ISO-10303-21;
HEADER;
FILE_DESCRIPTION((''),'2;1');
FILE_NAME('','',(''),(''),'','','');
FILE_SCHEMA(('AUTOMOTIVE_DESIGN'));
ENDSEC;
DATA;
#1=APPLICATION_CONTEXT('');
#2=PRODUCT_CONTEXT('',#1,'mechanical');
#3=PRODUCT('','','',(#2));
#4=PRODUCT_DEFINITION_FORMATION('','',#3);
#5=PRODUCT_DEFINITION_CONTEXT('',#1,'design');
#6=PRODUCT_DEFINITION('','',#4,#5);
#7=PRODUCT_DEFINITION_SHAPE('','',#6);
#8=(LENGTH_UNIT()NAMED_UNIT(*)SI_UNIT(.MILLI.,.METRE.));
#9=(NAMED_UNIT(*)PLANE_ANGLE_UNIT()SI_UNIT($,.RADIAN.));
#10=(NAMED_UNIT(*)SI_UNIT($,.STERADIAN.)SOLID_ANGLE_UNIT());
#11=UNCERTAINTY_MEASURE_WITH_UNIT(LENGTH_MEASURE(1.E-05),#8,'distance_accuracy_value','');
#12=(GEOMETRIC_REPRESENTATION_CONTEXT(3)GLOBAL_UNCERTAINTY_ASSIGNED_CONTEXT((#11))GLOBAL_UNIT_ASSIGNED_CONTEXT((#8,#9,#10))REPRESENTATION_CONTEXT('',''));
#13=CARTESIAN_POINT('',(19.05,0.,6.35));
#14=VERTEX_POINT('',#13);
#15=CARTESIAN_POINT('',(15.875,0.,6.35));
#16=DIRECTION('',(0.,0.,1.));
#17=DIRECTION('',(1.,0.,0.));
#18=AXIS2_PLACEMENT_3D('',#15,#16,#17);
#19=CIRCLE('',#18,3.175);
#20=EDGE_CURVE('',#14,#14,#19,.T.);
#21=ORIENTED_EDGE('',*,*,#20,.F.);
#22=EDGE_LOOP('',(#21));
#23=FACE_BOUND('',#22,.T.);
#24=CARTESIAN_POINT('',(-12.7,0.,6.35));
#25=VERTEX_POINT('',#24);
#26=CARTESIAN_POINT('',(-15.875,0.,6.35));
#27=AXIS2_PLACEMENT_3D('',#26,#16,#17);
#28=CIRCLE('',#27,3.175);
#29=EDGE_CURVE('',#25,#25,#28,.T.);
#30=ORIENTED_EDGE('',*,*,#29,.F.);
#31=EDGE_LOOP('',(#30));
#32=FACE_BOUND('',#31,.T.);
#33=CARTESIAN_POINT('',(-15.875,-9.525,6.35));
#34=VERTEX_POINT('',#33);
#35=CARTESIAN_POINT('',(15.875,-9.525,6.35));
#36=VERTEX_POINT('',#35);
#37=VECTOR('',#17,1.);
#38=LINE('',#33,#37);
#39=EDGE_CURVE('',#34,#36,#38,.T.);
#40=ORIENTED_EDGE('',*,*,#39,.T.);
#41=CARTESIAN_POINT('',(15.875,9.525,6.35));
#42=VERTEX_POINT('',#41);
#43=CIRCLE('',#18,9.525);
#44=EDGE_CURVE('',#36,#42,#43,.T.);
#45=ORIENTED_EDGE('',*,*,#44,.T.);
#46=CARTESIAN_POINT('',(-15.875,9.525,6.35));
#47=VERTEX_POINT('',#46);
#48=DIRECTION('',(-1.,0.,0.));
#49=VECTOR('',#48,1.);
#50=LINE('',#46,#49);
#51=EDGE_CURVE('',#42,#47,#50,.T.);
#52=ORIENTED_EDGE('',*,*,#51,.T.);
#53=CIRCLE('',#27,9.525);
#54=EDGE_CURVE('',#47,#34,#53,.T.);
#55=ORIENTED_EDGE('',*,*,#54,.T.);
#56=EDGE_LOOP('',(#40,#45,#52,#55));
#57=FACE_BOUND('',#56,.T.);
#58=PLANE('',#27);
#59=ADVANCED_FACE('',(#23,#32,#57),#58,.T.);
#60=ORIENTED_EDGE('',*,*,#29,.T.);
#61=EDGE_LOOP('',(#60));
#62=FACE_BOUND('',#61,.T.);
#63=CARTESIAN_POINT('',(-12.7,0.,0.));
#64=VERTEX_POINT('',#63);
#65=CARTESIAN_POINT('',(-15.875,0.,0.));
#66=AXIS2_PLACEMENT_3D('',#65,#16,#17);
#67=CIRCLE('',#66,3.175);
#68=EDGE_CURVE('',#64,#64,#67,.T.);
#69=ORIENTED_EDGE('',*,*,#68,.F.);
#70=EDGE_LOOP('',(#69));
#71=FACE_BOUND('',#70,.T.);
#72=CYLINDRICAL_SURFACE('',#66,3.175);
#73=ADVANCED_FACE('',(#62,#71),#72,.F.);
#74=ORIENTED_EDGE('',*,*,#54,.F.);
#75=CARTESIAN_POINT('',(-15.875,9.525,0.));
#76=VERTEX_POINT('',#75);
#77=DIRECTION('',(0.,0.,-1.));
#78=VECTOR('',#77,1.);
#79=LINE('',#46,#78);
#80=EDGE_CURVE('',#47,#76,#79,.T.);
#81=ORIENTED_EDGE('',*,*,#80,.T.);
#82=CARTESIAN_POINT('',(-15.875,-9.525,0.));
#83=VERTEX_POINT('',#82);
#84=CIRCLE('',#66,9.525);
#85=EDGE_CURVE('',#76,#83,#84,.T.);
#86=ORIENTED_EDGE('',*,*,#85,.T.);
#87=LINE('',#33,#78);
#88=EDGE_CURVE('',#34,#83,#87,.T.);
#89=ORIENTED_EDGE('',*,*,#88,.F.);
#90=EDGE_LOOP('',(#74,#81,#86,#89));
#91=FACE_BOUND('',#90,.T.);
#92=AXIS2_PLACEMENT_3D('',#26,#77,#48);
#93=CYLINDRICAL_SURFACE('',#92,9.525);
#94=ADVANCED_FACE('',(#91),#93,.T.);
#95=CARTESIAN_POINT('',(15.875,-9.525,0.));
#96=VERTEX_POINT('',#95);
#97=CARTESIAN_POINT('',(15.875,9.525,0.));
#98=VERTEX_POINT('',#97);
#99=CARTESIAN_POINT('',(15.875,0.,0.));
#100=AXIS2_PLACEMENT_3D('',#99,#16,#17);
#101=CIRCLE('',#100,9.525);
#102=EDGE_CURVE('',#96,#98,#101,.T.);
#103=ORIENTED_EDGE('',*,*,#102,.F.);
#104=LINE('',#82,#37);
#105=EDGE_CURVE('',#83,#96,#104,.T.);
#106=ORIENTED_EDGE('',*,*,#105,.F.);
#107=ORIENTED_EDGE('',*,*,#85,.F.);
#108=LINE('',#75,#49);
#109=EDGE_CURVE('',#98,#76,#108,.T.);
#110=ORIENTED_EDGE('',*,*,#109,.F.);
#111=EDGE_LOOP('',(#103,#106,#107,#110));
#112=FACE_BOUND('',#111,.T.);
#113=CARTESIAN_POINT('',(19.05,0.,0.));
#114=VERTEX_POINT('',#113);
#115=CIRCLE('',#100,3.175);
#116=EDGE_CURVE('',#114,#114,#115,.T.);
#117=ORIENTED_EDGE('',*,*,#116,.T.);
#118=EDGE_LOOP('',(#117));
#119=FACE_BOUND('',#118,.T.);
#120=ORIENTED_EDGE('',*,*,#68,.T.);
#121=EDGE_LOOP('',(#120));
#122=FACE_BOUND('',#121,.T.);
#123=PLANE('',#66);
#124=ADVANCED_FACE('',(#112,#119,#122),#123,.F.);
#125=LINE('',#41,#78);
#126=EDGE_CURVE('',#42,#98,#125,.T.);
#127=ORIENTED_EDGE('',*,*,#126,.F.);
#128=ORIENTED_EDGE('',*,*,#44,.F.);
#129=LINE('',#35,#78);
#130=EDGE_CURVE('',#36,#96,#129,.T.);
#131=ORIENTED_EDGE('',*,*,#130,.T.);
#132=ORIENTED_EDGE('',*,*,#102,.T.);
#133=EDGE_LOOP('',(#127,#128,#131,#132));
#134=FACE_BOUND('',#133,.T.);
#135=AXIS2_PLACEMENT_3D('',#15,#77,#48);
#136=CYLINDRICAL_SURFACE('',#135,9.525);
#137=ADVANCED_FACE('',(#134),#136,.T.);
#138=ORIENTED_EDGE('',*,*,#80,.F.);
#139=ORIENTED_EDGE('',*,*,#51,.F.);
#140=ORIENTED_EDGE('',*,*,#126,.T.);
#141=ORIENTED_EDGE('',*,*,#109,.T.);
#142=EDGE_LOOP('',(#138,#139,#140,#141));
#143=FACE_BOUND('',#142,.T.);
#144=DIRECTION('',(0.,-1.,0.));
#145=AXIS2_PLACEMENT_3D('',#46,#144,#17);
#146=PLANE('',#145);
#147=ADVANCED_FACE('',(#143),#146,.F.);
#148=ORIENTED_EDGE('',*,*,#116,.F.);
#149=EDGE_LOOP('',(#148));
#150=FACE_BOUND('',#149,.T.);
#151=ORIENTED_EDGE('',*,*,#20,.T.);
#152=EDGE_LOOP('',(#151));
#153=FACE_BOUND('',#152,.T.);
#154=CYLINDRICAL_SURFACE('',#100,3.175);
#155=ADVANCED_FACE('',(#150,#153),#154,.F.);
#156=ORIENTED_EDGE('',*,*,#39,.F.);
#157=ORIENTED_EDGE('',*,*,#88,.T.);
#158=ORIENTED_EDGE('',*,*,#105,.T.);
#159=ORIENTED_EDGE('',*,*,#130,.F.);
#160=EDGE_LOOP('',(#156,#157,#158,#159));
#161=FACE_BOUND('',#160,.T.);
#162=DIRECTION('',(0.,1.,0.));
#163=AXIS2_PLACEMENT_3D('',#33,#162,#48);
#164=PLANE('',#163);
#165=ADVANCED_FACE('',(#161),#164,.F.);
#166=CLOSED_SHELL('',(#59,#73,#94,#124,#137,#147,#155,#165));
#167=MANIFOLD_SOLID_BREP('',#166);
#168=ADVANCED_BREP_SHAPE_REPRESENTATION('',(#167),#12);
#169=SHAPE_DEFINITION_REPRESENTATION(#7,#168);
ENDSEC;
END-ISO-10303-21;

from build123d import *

# Parameters (mm, degrees)
BOSS_EXTRUDE1_DEPTH = 6.35
SKETCH3_R           = 3.175
CUT_EXTRUDE1_DEPTH  = 28.86051193


with BuildPart() as part:
    # Sketch2 → Boss-Extrude1 (new body)
    with BuildSketch(Plane.XY):
        with BuildLine():
            Line((-15.875, 9.525), (15.875, 9.525))
            ThreePointArc((15.875, 9.525), (25.4, 0), (15.875, -9.525))
            Line((15.875, -9.525), (-15.875, -9.525))
            ThreePointArc((-15.875, -9.525), (-25.4, 0), (-15.875, 9.525))
        make_face()
    extrude(amount=BOSS_EXTRUDE1_DEPTH)

    # Sketch3 → Cut-Extrude1 (cut, through all)
    with BuildSketch(Plane.XY.offset(6.35)):
        with Locations((-15.875, 0)):
            Circle(SKETCH3_R)
        with Locations((15.875, 0)):
            Circle(SKETCH3_R)
    extrude(amount=-CUT_EXTRUDE1_DEPTH, mode=Mode.SUBTRACT)


solid = part.part
